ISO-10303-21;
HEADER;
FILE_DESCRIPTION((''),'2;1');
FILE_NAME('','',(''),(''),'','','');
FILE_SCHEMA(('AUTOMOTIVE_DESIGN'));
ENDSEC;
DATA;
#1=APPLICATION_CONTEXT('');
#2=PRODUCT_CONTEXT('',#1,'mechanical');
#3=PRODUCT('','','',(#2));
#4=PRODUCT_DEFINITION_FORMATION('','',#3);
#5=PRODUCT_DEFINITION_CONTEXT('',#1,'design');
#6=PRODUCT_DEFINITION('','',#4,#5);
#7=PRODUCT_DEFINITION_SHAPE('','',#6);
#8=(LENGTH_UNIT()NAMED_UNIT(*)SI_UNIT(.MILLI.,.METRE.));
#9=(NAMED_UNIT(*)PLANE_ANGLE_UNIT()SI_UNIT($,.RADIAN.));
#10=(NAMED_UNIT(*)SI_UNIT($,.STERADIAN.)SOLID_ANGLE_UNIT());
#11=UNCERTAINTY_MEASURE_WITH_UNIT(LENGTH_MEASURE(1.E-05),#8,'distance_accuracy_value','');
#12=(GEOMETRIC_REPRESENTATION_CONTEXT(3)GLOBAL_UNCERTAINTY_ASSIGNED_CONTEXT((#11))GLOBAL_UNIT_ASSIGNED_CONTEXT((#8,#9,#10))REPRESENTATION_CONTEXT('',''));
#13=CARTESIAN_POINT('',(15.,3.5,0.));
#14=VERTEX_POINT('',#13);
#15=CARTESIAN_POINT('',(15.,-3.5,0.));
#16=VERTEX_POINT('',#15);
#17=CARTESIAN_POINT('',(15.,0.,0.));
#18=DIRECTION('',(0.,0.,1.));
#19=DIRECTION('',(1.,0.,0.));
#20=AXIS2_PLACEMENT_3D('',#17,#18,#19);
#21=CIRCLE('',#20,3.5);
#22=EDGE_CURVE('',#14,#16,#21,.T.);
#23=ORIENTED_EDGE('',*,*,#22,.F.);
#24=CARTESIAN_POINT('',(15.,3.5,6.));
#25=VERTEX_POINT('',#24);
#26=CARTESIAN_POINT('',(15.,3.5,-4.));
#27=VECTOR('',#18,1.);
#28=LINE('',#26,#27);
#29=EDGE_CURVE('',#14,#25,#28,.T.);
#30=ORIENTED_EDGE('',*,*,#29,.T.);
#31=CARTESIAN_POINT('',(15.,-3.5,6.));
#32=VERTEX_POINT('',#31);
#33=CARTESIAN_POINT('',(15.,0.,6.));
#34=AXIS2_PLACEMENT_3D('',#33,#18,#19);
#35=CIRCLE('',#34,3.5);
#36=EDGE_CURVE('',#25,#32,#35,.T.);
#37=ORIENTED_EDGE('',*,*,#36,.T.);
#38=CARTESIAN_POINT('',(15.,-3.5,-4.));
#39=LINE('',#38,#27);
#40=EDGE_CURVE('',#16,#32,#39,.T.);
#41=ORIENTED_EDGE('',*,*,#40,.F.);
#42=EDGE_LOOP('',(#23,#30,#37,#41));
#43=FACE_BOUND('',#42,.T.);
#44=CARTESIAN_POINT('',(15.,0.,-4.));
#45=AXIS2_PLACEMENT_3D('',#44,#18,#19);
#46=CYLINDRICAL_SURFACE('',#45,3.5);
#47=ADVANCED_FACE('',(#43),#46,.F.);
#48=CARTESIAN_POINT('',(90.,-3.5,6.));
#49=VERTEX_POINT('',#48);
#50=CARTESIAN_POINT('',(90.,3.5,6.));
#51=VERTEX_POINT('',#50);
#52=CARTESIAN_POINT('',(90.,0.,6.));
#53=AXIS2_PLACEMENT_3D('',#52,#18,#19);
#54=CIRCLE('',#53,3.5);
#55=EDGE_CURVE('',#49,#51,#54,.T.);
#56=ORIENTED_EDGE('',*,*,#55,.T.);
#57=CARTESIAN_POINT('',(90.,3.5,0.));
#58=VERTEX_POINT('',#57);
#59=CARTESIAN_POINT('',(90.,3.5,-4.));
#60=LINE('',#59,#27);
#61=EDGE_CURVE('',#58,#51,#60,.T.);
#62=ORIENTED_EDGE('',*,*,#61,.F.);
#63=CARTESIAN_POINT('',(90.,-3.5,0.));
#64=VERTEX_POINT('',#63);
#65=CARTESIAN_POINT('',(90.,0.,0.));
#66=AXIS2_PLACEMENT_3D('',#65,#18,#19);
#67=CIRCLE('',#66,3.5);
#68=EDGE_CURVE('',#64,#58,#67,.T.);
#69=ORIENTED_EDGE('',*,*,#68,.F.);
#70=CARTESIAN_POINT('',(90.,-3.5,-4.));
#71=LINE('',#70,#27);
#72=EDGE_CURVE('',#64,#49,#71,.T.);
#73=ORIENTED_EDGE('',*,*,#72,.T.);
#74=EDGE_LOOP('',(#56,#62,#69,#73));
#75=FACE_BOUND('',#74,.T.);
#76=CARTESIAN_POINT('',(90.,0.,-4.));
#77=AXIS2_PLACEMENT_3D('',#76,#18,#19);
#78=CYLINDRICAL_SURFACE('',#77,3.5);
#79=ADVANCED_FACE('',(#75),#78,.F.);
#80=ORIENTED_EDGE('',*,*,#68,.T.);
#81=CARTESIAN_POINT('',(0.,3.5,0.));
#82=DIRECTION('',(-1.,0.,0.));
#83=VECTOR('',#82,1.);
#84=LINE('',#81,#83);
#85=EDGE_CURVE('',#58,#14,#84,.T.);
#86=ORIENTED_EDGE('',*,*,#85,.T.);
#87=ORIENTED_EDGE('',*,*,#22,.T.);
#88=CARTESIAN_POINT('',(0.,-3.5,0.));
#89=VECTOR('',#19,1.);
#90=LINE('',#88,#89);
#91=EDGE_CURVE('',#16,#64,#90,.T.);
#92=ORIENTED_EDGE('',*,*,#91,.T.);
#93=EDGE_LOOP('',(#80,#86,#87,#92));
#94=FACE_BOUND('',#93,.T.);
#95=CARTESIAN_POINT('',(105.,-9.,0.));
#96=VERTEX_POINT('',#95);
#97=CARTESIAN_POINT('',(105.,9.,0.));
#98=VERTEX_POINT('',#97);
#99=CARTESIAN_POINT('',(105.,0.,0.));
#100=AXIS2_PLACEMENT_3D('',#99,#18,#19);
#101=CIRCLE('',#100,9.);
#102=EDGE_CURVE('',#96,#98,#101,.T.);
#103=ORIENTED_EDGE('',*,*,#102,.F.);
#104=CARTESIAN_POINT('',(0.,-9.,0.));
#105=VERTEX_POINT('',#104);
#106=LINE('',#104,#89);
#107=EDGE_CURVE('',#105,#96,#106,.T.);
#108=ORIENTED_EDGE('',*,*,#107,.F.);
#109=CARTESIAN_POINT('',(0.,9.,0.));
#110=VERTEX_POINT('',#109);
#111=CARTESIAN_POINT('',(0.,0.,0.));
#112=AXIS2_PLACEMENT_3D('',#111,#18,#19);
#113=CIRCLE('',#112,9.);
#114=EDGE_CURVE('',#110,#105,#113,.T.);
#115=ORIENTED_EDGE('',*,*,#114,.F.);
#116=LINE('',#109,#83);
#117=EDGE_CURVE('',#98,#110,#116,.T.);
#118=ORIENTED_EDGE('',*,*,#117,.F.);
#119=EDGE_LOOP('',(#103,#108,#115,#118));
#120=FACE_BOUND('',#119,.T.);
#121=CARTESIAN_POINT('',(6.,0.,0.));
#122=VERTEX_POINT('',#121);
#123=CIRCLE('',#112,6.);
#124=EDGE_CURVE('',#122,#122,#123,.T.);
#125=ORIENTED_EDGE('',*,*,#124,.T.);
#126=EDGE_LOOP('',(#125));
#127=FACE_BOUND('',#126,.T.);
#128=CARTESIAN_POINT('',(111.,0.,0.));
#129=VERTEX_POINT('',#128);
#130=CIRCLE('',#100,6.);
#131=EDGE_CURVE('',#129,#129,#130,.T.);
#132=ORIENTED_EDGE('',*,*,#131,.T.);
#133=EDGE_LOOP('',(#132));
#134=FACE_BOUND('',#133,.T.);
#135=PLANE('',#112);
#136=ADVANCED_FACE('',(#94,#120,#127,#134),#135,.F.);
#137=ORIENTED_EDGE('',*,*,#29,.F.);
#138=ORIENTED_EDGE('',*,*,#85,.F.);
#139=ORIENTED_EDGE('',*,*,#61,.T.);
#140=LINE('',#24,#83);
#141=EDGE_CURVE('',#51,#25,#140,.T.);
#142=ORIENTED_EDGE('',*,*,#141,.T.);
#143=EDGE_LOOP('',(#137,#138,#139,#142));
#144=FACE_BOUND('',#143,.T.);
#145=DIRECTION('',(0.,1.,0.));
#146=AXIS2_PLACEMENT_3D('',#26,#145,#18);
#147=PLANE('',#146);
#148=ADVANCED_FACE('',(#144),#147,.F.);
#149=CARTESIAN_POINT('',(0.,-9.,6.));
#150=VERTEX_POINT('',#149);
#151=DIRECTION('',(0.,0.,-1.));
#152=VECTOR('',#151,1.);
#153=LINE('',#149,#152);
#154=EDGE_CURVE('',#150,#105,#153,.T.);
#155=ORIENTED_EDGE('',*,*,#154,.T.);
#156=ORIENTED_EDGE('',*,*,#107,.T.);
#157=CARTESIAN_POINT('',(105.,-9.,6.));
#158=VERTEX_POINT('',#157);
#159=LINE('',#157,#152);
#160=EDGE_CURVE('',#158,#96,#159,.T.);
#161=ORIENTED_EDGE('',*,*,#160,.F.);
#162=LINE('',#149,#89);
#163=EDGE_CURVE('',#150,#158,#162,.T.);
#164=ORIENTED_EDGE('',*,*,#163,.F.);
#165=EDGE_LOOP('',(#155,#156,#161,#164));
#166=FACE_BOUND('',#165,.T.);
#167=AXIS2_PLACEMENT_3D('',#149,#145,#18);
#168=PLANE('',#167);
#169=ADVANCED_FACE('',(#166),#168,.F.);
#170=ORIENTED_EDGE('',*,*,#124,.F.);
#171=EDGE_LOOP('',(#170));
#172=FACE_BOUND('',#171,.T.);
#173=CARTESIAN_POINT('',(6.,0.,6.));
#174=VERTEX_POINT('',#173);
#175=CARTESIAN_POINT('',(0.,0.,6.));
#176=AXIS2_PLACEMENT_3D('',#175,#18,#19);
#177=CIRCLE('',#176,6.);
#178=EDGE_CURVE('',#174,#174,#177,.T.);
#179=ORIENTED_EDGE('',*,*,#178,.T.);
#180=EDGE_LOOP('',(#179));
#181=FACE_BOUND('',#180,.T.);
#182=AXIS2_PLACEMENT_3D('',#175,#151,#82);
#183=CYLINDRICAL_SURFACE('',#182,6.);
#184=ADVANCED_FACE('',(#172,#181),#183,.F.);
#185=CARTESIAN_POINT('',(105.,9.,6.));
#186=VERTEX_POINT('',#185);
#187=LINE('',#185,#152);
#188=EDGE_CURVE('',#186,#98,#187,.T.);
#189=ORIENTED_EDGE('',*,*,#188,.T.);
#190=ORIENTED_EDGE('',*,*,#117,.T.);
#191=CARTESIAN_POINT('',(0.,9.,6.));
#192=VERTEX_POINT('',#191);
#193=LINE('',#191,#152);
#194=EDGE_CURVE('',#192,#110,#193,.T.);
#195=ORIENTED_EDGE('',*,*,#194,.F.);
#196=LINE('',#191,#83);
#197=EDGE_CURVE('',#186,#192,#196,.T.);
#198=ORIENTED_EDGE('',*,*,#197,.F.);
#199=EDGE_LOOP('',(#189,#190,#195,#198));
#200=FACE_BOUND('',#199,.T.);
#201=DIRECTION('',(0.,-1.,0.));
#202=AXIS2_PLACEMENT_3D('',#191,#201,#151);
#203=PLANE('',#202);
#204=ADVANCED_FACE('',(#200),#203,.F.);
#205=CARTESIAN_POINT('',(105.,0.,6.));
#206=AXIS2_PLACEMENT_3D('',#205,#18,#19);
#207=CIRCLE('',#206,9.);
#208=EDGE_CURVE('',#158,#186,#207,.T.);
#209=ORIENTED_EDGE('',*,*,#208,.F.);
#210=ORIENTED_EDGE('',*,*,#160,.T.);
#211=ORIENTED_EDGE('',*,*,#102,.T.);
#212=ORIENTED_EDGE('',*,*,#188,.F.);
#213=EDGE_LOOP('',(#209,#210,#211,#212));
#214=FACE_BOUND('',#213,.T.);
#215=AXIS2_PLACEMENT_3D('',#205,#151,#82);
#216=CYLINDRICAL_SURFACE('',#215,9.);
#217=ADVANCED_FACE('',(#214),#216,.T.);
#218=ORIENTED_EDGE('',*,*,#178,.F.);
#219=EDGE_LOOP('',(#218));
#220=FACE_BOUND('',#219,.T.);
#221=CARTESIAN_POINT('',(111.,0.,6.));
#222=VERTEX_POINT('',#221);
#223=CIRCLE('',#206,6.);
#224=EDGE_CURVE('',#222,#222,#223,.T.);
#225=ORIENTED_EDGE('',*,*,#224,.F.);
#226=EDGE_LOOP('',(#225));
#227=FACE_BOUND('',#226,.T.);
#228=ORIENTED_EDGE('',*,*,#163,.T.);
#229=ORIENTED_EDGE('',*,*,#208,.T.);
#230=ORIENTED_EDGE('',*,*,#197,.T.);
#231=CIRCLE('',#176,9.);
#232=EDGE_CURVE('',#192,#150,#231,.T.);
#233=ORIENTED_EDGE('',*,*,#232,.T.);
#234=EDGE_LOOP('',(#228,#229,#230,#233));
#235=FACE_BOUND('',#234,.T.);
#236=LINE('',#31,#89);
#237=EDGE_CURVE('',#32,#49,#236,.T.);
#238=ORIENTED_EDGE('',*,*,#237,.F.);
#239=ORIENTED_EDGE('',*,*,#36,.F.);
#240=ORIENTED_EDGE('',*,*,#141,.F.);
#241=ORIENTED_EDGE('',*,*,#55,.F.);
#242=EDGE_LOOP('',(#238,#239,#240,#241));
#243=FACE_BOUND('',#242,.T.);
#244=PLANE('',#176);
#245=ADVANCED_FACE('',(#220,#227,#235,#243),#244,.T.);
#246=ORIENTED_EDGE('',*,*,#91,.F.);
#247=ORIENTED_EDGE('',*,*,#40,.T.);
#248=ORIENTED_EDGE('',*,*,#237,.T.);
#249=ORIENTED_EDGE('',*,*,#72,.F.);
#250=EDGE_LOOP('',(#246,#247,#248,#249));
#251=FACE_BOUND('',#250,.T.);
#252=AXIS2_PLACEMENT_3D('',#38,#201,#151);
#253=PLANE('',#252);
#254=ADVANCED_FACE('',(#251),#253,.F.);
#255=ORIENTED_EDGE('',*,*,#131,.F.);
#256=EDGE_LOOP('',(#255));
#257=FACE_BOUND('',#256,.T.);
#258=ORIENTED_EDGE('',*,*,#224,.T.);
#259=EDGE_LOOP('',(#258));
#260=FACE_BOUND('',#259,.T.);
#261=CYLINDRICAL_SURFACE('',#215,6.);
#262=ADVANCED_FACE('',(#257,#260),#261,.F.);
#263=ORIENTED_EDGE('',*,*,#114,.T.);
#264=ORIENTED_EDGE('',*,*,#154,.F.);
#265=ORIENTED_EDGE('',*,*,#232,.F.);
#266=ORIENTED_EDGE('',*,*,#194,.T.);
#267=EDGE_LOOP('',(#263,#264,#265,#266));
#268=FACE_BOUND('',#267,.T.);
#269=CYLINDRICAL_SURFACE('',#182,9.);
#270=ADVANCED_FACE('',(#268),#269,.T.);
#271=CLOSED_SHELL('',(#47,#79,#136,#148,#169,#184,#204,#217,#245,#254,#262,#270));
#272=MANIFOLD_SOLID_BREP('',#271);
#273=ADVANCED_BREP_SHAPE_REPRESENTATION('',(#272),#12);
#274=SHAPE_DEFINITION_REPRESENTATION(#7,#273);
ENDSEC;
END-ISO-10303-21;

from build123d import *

# Parameters (mm, degrees)
SKETCH_1_R          = 6
EXTRUDE_1_DEPTH     = 6
CUT_EXTRUDE_1_DEPTH = 10


with BuildPart() as part:
    # 草图1 → 凸台-拉伸1 (new body)
    with BuildSketch(Plane.XY):
        with BuildLine():
            Line((0, 9), (105, 9))
            ThreePointArc((105, 9), (114, 0), (105, -9))
            Line((105, -9), (0, -9))
            ThreePointArc((0, -9), (-9, 0), (0, 9))
        make_face()
        Circle(SKETCH_1_R, mode=Mode.SUBTRACT)
        with Locations((105, 0)):
            Circle(SKETCH_1_R, mode=Mode.SUBTRACT)
    extrude(amount=EXTRUDE_1_DEPTH)

    # 草图2 → 切除-拉伸1 (cut)
    with BuildSketch(Plane.XY.offset(6)):
        with BuildLine():
            Line((15, 3.5), (90, 3.5))
            ThreePointArc((90, 3.5), (93.5, 0), (90, -3.5))
            Line((90, -3.5), (15, -3.5))
            ThreePointArc((15, -3.5), (11.5, 0), (15, 3.5))
        make_face()
    extrude(amount=-CUT_EXTRUDE_1_DEPTH, mode=Mode.SUBTRACT)


solid = part.part
